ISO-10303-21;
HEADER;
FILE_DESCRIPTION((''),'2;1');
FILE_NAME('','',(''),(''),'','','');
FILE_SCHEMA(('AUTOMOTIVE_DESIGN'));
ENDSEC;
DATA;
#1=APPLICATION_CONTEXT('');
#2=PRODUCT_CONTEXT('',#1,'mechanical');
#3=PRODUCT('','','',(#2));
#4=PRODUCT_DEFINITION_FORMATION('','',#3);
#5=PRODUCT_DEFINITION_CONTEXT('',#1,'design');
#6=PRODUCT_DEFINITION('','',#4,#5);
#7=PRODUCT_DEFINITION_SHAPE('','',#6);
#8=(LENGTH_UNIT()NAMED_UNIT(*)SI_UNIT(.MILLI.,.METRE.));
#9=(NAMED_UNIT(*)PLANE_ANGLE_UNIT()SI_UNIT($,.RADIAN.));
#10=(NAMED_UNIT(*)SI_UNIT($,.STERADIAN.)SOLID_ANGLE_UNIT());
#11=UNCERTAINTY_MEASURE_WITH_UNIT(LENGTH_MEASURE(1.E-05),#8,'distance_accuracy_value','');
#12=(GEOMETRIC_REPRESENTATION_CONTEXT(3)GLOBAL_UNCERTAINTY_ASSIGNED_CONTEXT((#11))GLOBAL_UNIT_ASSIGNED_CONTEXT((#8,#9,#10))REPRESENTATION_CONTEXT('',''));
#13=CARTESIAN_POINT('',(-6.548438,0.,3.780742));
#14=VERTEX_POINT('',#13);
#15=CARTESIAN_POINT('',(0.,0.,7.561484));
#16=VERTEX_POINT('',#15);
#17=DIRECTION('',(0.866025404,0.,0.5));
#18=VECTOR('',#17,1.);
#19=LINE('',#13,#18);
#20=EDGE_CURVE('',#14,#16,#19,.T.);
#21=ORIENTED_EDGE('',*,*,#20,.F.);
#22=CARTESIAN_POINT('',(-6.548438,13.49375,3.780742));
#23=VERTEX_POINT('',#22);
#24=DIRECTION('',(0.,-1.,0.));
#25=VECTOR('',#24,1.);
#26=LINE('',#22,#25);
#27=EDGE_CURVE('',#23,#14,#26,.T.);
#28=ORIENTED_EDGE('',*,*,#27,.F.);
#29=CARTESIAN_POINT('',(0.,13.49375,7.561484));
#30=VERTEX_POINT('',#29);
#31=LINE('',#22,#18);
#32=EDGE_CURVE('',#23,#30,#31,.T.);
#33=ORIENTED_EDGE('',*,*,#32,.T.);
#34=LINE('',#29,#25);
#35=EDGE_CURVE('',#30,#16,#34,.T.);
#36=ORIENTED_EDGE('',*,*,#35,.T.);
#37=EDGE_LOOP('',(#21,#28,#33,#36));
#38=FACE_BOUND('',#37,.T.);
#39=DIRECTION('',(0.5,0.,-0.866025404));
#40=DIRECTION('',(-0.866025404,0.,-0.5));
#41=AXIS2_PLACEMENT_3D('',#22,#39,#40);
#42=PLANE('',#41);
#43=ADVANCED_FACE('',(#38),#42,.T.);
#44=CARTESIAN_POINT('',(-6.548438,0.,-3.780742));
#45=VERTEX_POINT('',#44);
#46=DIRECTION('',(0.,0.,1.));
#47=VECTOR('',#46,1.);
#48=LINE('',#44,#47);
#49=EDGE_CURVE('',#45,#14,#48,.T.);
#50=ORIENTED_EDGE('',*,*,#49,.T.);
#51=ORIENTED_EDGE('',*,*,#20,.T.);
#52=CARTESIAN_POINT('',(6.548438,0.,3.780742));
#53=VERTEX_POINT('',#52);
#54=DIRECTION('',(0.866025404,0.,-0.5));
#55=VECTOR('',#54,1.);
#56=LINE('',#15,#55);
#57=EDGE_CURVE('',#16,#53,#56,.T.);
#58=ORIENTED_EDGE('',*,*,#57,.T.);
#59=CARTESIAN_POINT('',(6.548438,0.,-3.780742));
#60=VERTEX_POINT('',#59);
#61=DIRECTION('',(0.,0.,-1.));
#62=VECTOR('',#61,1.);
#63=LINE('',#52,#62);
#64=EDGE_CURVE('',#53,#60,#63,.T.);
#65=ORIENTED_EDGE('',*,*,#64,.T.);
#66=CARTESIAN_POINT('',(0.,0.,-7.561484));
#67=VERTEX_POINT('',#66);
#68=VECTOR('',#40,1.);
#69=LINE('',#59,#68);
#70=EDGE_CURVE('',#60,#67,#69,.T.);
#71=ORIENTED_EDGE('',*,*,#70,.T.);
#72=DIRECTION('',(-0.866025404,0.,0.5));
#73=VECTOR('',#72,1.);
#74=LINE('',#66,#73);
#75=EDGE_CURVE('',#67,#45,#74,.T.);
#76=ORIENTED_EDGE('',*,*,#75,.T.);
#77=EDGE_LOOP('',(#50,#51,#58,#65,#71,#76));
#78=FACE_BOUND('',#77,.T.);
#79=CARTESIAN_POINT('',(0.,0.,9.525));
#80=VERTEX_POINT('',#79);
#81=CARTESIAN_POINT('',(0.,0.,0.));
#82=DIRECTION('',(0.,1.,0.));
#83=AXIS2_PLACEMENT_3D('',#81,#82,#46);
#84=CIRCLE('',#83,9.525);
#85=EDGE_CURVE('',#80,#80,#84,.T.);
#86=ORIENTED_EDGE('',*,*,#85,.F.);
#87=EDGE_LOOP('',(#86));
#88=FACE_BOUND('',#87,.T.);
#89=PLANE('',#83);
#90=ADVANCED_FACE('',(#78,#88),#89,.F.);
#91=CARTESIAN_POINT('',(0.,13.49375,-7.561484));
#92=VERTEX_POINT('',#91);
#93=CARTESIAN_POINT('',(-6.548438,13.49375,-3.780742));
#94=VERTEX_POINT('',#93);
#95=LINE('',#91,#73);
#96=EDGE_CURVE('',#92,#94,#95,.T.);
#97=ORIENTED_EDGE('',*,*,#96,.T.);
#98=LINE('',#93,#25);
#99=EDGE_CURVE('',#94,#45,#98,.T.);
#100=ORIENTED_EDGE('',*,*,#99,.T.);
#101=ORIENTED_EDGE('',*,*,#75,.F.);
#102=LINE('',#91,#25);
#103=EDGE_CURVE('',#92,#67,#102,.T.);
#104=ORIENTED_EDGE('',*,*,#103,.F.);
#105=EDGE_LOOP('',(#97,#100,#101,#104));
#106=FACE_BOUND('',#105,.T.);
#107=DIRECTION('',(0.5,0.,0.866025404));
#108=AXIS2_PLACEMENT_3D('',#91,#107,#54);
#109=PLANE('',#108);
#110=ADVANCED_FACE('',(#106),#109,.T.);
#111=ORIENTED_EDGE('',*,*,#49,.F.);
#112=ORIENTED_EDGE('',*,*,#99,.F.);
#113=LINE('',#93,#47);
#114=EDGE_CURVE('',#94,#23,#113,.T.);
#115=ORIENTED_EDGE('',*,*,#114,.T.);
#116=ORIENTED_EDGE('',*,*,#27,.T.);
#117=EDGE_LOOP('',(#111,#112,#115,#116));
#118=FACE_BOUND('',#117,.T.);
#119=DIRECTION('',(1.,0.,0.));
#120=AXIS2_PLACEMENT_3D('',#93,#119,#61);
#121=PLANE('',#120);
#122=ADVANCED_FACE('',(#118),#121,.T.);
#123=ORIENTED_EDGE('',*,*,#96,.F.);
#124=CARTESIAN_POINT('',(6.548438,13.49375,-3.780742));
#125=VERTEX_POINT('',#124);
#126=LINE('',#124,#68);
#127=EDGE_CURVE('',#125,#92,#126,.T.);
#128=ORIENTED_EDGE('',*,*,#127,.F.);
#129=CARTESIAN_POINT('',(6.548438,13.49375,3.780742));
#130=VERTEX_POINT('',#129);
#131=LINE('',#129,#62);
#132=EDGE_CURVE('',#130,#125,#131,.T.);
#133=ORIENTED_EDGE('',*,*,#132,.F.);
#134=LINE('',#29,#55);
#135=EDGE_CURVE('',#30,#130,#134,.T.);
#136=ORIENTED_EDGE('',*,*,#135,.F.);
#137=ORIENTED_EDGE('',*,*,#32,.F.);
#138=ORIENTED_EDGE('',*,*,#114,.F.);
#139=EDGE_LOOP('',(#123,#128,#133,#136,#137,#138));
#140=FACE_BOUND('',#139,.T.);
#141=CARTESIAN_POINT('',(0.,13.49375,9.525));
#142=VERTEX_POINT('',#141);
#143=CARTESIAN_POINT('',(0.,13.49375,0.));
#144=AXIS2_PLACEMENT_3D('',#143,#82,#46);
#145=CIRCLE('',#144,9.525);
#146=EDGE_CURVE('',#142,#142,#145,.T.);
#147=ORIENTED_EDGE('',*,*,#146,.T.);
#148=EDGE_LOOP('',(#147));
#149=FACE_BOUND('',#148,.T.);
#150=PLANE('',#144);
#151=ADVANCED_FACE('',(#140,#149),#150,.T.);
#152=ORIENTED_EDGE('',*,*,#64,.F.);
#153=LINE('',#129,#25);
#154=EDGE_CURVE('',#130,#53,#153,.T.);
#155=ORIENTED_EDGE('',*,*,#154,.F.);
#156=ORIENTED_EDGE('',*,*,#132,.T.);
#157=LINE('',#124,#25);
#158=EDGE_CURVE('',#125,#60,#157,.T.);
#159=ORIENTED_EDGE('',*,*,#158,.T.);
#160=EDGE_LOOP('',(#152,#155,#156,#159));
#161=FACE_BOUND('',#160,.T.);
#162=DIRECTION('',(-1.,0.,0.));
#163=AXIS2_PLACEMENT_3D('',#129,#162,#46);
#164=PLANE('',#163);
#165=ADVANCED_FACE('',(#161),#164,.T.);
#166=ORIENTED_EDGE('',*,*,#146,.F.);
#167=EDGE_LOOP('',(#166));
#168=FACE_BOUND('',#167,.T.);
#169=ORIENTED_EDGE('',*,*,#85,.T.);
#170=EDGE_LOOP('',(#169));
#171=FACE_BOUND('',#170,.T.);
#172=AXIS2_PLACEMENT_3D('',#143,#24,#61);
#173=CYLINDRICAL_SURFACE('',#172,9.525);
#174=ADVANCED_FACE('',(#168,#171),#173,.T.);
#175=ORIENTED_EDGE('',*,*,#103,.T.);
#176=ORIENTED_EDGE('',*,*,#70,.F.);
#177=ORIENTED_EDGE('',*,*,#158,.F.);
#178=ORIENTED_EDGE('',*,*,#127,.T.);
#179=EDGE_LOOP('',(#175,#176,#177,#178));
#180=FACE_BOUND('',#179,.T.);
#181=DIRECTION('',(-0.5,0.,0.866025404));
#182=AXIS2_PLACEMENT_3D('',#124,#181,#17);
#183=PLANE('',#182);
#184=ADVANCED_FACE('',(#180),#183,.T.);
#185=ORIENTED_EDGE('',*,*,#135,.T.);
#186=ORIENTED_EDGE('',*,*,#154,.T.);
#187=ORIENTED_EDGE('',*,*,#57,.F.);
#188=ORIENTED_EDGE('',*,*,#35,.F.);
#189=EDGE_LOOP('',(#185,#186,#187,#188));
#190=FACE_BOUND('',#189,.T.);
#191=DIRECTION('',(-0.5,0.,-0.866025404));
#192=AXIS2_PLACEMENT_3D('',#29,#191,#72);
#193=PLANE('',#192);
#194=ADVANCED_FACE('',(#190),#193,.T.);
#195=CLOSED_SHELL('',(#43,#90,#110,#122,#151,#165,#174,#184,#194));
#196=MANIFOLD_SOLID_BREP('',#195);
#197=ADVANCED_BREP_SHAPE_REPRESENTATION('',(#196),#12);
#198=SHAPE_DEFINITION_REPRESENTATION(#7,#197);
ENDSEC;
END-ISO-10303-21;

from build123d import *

# Parameters (mm, degrees)
SKETCH1_R           = 9.525
BOSS_EXTRUDE1_DEPTH = 13.49375


with BuildPart() as part:
    # Sketch1 → Boss-Extrude1 (new body)
    with BuildSketch(Plane(origin=(0, 0, 0), x_dir=(1, 0, 0), z_dir=(0, 1, 0))):
        Circle(SKETCH1_R)
        Polygon((0, 7.561484307), (-6.5484375, 3.780742153), (-6.5484375, -3.780742153), (0, -7.561484307), (6.5484375, -3.780742153), (6.5484375, 3.780742153), align=None, mode=Mode.SUBTRACT)
    extrude(amount=BOSS_EXTRUDE1_DEPTH)


solid = part.part
